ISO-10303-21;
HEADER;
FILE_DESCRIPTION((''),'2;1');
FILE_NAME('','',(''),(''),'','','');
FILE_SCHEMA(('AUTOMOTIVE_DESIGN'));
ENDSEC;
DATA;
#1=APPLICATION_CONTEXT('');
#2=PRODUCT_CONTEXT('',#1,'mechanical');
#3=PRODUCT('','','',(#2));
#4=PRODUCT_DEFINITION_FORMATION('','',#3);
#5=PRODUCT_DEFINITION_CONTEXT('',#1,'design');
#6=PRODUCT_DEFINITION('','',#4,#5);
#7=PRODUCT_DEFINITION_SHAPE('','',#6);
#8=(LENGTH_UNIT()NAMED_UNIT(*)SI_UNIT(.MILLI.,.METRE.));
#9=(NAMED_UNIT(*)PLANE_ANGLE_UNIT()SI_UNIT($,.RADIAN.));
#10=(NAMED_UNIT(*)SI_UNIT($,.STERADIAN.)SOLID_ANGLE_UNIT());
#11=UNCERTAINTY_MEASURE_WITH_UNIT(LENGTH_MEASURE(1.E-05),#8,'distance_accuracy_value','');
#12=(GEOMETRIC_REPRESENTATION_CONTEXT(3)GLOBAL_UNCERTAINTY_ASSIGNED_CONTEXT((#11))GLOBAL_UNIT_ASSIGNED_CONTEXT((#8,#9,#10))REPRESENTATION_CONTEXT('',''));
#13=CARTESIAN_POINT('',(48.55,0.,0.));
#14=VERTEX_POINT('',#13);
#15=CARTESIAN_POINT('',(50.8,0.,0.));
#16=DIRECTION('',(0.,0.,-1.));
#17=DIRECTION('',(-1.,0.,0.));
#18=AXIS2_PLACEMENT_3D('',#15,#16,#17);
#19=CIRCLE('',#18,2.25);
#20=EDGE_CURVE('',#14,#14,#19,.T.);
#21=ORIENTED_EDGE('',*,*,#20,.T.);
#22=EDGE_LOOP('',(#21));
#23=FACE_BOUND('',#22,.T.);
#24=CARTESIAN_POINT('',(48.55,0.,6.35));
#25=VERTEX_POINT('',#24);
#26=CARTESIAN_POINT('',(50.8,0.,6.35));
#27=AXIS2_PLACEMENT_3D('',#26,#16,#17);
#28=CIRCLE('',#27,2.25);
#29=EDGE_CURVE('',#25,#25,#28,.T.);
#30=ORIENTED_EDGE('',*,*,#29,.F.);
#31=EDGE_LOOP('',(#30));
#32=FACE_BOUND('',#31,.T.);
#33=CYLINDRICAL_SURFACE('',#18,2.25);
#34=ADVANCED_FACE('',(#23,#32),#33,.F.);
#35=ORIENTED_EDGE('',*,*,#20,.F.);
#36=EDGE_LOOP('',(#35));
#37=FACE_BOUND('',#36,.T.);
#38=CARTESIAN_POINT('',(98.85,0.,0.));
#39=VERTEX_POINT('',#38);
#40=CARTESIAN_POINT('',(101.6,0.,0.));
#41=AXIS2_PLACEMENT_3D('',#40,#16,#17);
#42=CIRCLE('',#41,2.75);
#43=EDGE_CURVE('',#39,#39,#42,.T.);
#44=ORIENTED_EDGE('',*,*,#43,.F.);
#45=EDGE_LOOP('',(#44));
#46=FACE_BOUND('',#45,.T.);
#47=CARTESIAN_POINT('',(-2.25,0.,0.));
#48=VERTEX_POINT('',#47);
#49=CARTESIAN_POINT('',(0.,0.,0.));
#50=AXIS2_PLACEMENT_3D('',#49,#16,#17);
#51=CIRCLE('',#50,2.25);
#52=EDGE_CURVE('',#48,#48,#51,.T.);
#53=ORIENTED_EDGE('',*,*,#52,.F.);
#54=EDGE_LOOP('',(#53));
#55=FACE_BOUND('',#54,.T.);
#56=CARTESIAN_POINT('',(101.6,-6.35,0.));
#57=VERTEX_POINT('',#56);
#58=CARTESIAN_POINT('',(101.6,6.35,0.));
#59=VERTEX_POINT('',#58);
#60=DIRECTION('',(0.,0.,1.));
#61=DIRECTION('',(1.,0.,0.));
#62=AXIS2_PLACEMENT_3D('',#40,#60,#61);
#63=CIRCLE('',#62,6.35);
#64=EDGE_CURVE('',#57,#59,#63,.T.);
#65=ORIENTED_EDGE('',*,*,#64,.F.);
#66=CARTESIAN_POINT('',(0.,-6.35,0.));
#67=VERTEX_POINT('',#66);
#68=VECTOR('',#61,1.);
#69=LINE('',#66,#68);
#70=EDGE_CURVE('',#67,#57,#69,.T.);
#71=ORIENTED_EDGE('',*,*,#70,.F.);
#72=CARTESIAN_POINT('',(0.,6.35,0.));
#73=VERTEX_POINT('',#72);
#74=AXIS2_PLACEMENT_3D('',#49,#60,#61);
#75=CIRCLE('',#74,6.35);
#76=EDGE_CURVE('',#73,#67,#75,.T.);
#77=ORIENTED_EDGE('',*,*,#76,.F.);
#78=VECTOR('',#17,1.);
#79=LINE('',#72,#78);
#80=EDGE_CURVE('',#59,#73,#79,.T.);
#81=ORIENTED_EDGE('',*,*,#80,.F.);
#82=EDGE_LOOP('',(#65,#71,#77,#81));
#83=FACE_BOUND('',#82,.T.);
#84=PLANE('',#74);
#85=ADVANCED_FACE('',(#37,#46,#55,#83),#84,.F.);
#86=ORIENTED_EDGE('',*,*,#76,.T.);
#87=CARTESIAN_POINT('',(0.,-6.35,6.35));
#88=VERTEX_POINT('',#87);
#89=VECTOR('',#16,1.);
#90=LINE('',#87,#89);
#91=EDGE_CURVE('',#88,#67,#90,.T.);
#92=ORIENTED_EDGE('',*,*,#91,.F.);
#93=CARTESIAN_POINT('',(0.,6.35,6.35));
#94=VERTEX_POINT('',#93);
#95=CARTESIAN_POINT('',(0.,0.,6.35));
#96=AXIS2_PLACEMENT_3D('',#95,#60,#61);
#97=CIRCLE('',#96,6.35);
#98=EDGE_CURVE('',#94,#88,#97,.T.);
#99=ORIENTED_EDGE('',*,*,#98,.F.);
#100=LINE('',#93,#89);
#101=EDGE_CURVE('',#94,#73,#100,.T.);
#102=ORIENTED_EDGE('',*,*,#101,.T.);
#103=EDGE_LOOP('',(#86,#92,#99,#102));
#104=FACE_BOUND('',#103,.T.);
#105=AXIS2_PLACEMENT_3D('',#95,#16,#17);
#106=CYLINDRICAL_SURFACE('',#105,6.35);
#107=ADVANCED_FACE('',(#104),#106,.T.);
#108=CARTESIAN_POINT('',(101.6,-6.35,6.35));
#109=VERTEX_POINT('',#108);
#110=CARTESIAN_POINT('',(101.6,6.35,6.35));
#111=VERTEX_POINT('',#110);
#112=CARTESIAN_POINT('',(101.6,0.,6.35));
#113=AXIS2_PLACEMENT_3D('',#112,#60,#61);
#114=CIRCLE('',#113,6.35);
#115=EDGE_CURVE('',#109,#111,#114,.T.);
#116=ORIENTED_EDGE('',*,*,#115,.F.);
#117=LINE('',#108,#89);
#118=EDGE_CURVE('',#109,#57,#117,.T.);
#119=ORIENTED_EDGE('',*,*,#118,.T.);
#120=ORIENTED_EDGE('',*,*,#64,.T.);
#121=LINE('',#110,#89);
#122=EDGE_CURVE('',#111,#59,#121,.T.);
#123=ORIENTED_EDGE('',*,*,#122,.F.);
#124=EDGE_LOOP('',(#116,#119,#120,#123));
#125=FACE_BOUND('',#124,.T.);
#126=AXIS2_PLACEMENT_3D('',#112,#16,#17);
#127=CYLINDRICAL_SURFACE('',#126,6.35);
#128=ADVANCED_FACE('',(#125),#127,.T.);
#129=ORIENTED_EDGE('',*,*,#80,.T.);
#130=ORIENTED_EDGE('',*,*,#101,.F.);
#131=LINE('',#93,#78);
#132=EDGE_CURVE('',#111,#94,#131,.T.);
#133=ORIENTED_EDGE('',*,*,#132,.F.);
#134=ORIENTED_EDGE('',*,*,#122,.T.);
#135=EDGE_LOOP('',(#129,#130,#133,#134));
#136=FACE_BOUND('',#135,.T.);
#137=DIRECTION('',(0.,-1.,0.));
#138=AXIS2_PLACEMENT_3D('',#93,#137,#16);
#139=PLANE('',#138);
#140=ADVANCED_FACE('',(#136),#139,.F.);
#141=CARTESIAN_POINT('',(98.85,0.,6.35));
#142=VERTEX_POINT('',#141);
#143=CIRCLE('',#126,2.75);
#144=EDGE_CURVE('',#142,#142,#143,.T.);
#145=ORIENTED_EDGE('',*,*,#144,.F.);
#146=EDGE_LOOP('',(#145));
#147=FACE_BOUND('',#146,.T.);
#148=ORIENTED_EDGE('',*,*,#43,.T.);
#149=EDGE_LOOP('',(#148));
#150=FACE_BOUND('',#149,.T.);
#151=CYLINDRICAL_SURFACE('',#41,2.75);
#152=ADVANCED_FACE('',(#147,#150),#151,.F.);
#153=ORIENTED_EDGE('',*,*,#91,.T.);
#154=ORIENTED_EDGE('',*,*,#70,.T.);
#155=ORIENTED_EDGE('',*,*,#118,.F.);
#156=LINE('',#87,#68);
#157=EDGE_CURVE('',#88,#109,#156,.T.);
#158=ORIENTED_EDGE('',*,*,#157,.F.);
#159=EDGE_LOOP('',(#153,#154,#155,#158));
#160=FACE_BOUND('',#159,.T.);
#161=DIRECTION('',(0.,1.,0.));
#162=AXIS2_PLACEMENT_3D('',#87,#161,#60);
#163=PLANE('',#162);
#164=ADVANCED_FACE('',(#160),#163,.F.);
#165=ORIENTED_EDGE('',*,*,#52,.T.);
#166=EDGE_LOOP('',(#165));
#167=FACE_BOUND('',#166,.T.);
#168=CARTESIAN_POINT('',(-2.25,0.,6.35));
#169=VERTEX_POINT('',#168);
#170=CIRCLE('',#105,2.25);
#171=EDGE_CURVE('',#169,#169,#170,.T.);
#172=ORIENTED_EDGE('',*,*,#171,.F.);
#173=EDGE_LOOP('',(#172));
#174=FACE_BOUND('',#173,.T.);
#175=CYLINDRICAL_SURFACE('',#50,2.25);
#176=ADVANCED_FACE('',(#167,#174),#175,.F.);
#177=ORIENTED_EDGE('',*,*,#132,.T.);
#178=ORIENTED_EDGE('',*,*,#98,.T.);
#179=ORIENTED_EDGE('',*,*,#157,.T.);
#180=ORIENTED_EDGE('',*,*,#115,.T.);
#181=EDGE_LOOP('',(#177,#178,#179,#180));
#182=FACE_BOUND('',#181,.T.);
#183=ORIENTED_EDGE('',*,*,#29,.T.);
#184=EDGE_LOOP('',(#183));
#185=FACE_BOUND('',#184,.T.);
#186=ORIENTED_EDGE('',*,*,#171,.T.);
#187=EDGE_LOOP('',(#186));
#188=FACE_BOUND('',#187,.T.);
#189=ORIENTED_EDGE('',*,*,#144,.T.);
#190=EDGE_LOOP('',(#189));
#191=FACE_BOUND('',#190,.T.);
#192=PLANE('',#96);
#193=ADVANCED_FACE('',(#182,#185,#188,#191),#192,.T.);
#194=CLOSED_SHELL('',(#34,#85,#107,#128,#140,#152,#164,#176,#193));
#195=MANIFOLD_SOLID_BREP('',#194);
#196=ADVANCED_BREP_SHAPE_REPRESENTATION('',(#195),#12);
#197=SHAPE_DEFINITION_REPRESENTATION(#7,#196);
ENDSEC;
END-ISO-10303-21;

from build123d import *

# Parameters (mm, degrees)
BOSS_EXTRUDE1_DEPTH  = 6.35
M5_CLEARANCE_HOLE1_D = 5.5
M4_CLEARANCE_HOLE1_D = 4.5


with BuildPart() as part:
    # Sketch1 → Boss-Extrude1 (new body)
    with BuildSketch(Plane.XY):
        with BuildLine():
            Line((0, 6.35), (101.6, 6.35))
            ThreePointArc((101.6, 6.35), (107.95, 0), (101.6, -6.35))
            Line((101.6, -6.35), (0, -6.35))
            ThreePointArc((0, -6.35), (-6.35, 0), (0, 6.35))
        make_face()
    extrude(amount=BOSS_EXTRUDE1_DEPTH)

    # M5 Clearance Hole1 (through all)
    with Locations(Plane(origin=(0, 0, 0), x_dir=(-1, 0, 0), z_dir=(0, 0, -1))):
        with Locations((-101.6, 0)):
            Hole(M5_CLEARANCE_HOLE1_D / 2)

    # M4 Clearance Hole1 (through all)
    with Locations(Plane(origin=(0, 0, 0), x_dir=(-1, 0, 0), z_dir=(0, 0, -1))):
        with Locations((-50.8, 0), (0, 0)):
            Hole(M4_CLEARANCE_HOLE1_D / 2)


solid = part.part
